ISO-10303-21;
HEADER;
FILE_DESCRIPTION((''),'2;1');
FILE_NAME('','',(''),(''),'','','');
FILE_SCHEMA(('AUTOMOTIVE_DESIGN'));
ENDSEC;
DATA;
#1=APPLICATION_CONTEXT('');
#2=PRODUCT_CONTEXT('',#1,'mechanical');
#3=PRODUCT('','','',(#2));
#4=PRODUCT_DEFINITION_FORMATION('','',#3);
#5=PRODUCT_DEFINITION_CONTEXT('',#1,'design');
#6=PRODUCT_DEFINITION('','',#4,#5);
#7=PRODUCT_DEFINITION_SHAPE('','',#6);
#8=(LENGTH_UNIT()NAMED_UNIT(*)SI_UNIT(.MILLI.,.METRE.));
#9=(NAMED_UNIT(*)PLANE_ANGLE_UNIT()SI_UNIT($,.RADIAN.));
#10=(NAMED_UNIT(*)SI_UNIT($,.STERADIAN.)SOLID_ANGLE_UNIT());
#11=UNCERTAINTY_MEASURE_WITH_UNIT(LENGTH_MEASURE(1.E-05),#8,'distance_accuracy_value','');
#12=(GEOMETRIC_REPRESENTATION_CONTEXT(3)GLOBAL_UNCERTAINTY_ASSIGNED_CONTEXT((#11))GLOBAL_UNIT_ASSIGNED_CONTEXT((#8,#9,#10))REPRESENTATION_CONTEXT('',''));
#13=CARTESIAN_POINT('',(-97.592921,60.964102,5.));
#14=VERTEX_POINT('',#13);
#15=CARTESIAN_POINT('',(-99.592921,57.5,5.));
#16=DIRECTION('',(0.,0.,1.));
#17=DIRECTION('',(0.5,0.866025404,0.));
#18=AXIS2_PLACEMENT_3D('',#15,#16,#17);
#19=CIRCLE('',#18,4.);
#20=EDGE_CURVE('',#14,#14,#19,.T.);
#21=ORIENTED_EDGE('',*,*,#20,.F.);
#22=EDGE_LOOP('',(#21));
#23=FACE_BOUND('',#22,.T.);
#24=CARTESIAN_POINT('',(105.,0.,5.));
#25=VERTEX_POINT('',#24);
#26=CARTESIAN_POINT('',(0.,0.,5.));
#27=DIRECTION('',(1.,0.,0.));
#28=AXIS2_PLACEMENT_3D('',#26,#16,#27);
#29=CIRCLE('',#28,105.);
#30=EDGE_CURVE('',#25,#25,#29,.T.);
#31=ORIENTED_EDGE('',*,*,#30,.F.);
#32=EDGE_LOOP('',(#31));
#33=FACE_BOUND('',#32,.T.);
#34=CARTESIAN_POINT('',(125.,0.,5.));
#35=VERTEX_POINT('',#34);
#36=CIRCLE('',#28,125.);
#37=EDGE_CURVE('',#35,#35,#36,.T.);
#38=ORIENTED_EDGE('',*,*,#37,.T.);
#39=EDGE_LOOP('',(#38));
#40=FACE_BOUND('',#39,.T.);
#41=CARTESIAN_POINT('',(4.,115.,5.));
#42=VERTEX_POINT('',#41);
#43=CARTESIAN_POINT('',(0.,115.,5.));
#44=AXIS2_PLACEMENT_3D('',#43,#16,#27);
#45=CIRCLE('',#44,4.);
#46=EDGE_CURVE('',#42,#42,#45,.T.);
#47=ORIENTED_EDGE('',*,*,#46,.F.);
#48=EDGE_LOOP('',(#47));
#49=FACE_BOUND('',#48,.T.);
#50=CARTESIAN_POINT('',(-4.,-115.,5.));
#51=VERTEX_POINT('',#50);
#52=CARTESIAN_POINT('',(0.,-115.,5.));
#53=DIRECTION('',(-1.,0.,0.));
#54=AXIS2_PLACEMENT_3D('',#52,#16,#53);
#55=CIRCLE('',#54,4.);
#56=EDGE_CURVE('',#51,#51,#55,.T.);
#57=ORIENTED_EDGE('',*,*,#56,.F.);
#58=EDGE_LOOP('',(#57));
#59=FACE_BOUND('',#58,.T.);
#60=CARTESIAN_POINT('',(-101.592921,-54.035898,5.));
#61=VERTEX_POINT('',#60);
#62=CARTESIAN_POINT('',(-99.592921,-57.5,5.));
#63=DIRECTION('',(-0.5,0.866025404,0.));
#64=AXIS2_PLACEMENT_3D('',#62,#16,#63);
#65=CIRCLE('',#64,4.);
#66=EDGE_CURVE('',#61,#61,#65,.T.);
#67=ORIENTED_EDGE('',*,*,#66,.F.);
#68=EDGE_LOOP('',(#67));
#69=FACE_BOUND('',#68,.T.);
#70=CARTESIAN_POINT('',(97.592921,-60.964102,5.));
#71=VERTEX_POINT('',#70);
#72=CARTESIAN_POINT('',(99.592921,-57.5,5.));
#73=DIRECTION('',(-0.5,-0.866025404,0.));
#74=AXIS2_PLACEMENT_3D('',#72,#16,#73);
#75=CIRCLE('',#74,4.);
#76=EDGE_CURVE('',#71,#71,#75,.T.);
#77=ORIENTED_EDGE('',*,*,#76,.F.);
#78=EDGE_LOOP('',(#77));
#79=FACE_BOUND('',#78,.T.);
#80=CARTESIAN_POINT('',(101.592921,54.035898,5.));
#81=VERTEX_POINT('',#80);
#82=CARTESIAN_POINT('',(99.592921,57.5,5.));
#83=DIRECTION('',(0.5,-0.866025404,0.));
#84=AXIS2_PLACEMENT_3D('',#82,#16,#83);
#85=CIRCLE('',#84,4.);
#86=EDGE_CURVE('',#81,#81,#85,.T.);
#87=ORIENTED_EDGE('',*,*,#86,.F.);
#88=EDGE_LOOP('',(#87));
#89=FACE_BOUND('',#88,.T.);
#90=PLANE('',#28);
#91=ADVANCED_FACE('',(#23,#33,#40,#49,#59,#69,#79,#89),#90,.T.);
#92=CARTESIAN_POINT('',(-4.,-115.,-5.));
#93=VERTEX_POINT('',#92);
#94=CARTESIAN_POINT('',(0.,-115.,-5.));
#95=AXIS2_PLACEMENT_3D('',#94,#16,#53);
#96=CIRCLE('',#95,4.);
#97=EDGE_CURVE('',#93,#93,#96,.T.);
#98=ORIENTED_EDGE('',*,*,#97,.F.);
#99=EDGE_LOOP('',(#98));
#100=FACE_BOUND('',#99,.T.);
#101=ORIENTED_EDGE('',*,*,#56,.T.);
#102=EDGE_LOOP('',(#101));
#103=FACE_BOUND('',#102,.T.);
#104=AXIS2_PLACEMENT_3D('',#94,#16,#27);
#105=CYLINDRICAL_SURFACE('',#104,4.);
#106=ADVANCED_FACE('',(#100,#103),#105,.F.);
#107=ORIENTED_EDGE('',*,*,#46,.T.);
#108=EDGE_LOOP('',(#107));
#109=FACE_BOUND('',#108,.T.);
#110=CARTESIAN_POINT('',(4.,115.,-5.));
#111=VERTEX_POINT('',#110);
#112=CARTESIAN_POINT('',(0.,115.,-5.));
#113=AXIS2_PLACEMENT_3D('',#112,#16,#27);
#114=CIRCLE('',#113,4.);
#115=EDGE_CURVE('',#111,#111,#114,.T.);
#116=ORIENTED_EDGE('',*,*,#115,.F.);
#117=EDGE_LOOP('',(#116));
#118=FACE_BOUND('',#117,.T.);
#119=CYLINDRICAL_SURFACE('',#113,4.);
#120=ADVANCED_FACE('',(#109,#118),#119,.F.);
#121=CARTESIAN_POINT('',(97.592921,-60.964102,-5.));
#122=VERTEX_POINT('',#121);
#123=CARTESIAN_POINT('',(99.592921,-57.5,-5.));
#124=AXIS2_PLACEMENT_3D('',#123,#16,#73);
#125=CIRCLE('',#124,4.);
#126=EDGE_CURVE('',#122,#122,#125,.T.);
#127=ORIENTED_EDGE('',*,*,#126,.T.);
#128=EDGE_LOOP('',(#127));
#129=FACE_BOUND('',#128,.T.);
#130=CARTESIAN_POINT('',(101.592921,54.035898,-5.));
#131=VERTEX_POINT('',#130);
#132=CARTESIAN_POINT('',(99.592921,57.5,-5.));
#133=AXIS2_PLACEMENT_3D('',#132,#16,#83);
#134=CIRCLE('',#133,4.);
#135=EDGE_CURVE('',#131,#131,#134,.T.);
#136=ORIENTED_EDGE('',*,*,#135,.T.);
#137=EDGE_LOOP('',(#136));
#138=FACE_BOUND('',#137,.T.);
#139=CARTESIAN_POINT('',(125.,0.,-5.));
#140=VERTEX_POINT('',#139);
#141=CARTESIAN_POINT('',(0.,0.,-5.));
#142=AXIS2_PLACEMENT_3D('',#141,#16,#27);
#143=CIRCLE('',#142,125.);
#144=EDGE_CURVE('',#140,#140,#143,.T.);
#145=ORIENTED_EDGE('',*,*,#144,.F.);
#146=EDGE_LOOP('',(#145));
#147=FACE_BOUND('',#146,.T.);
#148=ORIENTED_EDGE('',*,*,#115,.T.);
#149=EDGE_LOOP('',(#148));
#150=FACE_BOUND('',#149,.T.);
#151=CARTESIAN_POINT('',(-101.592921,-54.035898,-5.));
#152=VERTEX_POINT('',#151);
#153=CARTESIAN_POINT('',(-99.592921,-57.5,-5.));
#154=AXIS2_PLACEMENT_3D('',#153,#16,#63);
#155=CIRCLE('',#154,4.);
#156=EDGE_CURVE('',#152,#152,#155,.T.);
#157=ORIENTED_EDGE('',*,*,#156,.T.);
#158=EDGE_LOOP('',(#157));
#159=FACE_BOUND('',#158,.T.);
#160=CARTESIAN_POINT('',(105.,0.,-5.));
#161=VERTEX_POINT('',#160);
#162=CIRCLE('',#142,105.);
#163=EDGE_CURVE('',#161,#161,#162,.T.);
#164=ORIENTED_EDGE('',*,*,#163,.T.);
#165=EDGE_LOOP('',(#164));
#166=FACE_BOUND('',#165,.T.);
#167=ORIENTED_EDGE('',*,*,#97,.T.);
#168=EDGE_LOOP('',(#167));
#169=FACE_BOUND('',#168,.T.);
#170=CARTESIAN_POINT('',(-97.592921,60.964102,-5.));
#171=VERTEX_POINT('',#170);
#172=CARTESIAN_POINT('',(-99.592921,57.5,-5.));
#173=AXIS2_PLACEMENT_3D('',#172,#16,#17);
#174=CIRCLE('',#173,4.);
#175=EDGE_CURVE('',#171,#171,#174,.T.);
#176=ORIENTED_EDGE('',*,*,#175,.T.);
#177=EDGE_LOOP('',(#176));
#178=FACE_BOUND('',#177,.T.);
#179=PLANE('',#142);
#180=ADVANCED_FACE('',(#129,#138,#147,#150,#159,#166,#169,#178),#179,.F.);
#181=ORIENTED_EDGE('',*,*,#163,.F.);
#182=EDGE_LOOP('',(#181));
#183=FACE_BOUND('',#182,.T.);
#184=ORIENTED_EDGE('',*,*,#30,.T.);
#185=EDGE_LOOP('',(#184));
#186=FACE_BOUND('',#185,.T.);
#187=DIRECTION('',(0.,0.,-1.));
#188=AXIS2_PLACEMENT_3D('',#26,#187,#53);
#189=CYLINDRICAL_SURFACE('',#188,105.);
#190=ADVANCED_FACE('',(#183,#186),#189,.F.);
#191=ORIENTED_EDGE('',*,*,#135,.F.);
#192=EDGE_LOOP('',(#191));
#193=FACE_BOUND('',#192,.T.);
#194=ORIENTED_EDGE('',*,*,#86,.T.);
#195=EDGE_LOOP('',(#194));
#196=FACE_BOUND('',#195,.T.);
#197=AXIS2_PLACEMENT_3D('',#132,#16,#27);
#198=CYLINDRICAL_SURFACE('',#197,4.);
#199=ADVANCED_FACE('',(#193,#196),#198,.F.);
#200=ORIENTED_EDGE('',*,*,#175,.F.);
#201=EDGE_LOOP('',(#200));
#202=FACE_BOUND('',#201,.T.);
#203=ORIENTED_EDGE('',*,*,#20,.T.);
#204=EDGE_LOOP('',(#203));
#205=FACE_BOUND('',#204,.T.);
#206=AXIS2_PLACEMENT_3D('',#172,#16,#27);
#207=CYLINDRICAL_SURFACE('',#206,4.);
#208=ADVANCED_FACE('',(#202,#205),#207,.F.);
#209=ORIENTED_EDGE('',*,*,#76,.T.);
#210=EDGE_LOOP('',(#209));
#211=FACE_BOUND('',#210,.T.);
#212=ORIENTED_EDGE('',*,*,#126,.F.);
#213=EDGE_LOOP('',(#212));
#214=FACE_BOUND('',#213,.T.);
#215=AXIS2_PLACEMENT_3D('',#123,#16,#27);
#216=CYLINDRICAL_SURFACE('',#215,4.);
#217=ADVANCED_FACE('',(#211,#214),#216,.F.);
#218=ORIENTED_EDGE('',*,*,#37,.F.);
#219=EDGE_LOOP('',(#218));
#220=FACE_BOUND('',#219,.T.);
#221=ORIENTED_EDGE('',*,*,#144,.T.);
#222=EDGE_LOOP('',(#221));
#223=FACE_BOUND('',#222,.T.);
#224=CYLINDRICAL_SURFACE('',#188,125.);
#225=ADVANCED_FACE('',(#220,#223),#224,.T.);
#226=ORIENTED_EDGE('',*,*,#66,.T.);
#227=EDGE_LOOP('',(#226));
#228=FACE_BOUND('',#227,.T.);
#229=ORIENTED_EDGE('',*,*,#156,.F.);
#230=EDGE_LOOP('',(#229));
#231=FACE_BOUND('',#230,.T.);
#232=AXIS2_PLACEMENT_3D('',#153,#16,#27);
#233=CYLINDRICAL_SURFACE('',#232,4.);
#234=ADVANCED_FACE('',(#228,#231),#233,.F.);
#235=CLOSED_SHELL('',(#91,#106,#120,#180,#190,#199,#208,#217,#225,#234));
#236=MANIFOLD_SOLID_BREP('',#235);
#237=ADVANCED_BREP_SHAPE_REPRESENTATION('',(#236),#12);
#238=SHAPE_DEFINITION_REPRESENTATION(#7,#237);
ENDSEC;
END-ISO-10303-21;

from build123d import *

# Parameters (mm, degrees)
SKETCH1_R          = 125
SKETCH1_R_2        = 105
BODY_DEPTH         = 5
SKETCH2_R          = 4
CUT_EXTRUDE1_DEPTH = 11
HOLES_COUNT        = 6


with BuildPart() as part:
    # Sketch1 → Body (new body, symmetric)
    with BuildSketch(Plane.XY):
        Circle(SKETCH1_R)
        Circle(SKETCH1_R_2, mode=Mode.SUBTRACT)
    extrude(amount=BODY_DEPTH, both=True)

    # Sketch2 → Cut-Extrude1 (cut, through all)
    with BuildSketch(Plane.XY.offset(5)):
        with Locations((0, 115)):
            Circle(SKETCH2_R)
    cut_extrude1 = extrude(amount=-CUT_EXTRUDE1_DEPTH, mode=Mode.SUBTRACT)

    # Holes: Cut-Extrude1 ×6 about axis
    holes_axis = Axis((0, 0, 0), (0, 0, 1))
    for i in range(1, HOLES_COUNT):
        add(cut_extrude1.rotate(holes_axis, i * 360 / HOLES_COUNT), mode=Mode.SUBTRACT)


solid = part.part
